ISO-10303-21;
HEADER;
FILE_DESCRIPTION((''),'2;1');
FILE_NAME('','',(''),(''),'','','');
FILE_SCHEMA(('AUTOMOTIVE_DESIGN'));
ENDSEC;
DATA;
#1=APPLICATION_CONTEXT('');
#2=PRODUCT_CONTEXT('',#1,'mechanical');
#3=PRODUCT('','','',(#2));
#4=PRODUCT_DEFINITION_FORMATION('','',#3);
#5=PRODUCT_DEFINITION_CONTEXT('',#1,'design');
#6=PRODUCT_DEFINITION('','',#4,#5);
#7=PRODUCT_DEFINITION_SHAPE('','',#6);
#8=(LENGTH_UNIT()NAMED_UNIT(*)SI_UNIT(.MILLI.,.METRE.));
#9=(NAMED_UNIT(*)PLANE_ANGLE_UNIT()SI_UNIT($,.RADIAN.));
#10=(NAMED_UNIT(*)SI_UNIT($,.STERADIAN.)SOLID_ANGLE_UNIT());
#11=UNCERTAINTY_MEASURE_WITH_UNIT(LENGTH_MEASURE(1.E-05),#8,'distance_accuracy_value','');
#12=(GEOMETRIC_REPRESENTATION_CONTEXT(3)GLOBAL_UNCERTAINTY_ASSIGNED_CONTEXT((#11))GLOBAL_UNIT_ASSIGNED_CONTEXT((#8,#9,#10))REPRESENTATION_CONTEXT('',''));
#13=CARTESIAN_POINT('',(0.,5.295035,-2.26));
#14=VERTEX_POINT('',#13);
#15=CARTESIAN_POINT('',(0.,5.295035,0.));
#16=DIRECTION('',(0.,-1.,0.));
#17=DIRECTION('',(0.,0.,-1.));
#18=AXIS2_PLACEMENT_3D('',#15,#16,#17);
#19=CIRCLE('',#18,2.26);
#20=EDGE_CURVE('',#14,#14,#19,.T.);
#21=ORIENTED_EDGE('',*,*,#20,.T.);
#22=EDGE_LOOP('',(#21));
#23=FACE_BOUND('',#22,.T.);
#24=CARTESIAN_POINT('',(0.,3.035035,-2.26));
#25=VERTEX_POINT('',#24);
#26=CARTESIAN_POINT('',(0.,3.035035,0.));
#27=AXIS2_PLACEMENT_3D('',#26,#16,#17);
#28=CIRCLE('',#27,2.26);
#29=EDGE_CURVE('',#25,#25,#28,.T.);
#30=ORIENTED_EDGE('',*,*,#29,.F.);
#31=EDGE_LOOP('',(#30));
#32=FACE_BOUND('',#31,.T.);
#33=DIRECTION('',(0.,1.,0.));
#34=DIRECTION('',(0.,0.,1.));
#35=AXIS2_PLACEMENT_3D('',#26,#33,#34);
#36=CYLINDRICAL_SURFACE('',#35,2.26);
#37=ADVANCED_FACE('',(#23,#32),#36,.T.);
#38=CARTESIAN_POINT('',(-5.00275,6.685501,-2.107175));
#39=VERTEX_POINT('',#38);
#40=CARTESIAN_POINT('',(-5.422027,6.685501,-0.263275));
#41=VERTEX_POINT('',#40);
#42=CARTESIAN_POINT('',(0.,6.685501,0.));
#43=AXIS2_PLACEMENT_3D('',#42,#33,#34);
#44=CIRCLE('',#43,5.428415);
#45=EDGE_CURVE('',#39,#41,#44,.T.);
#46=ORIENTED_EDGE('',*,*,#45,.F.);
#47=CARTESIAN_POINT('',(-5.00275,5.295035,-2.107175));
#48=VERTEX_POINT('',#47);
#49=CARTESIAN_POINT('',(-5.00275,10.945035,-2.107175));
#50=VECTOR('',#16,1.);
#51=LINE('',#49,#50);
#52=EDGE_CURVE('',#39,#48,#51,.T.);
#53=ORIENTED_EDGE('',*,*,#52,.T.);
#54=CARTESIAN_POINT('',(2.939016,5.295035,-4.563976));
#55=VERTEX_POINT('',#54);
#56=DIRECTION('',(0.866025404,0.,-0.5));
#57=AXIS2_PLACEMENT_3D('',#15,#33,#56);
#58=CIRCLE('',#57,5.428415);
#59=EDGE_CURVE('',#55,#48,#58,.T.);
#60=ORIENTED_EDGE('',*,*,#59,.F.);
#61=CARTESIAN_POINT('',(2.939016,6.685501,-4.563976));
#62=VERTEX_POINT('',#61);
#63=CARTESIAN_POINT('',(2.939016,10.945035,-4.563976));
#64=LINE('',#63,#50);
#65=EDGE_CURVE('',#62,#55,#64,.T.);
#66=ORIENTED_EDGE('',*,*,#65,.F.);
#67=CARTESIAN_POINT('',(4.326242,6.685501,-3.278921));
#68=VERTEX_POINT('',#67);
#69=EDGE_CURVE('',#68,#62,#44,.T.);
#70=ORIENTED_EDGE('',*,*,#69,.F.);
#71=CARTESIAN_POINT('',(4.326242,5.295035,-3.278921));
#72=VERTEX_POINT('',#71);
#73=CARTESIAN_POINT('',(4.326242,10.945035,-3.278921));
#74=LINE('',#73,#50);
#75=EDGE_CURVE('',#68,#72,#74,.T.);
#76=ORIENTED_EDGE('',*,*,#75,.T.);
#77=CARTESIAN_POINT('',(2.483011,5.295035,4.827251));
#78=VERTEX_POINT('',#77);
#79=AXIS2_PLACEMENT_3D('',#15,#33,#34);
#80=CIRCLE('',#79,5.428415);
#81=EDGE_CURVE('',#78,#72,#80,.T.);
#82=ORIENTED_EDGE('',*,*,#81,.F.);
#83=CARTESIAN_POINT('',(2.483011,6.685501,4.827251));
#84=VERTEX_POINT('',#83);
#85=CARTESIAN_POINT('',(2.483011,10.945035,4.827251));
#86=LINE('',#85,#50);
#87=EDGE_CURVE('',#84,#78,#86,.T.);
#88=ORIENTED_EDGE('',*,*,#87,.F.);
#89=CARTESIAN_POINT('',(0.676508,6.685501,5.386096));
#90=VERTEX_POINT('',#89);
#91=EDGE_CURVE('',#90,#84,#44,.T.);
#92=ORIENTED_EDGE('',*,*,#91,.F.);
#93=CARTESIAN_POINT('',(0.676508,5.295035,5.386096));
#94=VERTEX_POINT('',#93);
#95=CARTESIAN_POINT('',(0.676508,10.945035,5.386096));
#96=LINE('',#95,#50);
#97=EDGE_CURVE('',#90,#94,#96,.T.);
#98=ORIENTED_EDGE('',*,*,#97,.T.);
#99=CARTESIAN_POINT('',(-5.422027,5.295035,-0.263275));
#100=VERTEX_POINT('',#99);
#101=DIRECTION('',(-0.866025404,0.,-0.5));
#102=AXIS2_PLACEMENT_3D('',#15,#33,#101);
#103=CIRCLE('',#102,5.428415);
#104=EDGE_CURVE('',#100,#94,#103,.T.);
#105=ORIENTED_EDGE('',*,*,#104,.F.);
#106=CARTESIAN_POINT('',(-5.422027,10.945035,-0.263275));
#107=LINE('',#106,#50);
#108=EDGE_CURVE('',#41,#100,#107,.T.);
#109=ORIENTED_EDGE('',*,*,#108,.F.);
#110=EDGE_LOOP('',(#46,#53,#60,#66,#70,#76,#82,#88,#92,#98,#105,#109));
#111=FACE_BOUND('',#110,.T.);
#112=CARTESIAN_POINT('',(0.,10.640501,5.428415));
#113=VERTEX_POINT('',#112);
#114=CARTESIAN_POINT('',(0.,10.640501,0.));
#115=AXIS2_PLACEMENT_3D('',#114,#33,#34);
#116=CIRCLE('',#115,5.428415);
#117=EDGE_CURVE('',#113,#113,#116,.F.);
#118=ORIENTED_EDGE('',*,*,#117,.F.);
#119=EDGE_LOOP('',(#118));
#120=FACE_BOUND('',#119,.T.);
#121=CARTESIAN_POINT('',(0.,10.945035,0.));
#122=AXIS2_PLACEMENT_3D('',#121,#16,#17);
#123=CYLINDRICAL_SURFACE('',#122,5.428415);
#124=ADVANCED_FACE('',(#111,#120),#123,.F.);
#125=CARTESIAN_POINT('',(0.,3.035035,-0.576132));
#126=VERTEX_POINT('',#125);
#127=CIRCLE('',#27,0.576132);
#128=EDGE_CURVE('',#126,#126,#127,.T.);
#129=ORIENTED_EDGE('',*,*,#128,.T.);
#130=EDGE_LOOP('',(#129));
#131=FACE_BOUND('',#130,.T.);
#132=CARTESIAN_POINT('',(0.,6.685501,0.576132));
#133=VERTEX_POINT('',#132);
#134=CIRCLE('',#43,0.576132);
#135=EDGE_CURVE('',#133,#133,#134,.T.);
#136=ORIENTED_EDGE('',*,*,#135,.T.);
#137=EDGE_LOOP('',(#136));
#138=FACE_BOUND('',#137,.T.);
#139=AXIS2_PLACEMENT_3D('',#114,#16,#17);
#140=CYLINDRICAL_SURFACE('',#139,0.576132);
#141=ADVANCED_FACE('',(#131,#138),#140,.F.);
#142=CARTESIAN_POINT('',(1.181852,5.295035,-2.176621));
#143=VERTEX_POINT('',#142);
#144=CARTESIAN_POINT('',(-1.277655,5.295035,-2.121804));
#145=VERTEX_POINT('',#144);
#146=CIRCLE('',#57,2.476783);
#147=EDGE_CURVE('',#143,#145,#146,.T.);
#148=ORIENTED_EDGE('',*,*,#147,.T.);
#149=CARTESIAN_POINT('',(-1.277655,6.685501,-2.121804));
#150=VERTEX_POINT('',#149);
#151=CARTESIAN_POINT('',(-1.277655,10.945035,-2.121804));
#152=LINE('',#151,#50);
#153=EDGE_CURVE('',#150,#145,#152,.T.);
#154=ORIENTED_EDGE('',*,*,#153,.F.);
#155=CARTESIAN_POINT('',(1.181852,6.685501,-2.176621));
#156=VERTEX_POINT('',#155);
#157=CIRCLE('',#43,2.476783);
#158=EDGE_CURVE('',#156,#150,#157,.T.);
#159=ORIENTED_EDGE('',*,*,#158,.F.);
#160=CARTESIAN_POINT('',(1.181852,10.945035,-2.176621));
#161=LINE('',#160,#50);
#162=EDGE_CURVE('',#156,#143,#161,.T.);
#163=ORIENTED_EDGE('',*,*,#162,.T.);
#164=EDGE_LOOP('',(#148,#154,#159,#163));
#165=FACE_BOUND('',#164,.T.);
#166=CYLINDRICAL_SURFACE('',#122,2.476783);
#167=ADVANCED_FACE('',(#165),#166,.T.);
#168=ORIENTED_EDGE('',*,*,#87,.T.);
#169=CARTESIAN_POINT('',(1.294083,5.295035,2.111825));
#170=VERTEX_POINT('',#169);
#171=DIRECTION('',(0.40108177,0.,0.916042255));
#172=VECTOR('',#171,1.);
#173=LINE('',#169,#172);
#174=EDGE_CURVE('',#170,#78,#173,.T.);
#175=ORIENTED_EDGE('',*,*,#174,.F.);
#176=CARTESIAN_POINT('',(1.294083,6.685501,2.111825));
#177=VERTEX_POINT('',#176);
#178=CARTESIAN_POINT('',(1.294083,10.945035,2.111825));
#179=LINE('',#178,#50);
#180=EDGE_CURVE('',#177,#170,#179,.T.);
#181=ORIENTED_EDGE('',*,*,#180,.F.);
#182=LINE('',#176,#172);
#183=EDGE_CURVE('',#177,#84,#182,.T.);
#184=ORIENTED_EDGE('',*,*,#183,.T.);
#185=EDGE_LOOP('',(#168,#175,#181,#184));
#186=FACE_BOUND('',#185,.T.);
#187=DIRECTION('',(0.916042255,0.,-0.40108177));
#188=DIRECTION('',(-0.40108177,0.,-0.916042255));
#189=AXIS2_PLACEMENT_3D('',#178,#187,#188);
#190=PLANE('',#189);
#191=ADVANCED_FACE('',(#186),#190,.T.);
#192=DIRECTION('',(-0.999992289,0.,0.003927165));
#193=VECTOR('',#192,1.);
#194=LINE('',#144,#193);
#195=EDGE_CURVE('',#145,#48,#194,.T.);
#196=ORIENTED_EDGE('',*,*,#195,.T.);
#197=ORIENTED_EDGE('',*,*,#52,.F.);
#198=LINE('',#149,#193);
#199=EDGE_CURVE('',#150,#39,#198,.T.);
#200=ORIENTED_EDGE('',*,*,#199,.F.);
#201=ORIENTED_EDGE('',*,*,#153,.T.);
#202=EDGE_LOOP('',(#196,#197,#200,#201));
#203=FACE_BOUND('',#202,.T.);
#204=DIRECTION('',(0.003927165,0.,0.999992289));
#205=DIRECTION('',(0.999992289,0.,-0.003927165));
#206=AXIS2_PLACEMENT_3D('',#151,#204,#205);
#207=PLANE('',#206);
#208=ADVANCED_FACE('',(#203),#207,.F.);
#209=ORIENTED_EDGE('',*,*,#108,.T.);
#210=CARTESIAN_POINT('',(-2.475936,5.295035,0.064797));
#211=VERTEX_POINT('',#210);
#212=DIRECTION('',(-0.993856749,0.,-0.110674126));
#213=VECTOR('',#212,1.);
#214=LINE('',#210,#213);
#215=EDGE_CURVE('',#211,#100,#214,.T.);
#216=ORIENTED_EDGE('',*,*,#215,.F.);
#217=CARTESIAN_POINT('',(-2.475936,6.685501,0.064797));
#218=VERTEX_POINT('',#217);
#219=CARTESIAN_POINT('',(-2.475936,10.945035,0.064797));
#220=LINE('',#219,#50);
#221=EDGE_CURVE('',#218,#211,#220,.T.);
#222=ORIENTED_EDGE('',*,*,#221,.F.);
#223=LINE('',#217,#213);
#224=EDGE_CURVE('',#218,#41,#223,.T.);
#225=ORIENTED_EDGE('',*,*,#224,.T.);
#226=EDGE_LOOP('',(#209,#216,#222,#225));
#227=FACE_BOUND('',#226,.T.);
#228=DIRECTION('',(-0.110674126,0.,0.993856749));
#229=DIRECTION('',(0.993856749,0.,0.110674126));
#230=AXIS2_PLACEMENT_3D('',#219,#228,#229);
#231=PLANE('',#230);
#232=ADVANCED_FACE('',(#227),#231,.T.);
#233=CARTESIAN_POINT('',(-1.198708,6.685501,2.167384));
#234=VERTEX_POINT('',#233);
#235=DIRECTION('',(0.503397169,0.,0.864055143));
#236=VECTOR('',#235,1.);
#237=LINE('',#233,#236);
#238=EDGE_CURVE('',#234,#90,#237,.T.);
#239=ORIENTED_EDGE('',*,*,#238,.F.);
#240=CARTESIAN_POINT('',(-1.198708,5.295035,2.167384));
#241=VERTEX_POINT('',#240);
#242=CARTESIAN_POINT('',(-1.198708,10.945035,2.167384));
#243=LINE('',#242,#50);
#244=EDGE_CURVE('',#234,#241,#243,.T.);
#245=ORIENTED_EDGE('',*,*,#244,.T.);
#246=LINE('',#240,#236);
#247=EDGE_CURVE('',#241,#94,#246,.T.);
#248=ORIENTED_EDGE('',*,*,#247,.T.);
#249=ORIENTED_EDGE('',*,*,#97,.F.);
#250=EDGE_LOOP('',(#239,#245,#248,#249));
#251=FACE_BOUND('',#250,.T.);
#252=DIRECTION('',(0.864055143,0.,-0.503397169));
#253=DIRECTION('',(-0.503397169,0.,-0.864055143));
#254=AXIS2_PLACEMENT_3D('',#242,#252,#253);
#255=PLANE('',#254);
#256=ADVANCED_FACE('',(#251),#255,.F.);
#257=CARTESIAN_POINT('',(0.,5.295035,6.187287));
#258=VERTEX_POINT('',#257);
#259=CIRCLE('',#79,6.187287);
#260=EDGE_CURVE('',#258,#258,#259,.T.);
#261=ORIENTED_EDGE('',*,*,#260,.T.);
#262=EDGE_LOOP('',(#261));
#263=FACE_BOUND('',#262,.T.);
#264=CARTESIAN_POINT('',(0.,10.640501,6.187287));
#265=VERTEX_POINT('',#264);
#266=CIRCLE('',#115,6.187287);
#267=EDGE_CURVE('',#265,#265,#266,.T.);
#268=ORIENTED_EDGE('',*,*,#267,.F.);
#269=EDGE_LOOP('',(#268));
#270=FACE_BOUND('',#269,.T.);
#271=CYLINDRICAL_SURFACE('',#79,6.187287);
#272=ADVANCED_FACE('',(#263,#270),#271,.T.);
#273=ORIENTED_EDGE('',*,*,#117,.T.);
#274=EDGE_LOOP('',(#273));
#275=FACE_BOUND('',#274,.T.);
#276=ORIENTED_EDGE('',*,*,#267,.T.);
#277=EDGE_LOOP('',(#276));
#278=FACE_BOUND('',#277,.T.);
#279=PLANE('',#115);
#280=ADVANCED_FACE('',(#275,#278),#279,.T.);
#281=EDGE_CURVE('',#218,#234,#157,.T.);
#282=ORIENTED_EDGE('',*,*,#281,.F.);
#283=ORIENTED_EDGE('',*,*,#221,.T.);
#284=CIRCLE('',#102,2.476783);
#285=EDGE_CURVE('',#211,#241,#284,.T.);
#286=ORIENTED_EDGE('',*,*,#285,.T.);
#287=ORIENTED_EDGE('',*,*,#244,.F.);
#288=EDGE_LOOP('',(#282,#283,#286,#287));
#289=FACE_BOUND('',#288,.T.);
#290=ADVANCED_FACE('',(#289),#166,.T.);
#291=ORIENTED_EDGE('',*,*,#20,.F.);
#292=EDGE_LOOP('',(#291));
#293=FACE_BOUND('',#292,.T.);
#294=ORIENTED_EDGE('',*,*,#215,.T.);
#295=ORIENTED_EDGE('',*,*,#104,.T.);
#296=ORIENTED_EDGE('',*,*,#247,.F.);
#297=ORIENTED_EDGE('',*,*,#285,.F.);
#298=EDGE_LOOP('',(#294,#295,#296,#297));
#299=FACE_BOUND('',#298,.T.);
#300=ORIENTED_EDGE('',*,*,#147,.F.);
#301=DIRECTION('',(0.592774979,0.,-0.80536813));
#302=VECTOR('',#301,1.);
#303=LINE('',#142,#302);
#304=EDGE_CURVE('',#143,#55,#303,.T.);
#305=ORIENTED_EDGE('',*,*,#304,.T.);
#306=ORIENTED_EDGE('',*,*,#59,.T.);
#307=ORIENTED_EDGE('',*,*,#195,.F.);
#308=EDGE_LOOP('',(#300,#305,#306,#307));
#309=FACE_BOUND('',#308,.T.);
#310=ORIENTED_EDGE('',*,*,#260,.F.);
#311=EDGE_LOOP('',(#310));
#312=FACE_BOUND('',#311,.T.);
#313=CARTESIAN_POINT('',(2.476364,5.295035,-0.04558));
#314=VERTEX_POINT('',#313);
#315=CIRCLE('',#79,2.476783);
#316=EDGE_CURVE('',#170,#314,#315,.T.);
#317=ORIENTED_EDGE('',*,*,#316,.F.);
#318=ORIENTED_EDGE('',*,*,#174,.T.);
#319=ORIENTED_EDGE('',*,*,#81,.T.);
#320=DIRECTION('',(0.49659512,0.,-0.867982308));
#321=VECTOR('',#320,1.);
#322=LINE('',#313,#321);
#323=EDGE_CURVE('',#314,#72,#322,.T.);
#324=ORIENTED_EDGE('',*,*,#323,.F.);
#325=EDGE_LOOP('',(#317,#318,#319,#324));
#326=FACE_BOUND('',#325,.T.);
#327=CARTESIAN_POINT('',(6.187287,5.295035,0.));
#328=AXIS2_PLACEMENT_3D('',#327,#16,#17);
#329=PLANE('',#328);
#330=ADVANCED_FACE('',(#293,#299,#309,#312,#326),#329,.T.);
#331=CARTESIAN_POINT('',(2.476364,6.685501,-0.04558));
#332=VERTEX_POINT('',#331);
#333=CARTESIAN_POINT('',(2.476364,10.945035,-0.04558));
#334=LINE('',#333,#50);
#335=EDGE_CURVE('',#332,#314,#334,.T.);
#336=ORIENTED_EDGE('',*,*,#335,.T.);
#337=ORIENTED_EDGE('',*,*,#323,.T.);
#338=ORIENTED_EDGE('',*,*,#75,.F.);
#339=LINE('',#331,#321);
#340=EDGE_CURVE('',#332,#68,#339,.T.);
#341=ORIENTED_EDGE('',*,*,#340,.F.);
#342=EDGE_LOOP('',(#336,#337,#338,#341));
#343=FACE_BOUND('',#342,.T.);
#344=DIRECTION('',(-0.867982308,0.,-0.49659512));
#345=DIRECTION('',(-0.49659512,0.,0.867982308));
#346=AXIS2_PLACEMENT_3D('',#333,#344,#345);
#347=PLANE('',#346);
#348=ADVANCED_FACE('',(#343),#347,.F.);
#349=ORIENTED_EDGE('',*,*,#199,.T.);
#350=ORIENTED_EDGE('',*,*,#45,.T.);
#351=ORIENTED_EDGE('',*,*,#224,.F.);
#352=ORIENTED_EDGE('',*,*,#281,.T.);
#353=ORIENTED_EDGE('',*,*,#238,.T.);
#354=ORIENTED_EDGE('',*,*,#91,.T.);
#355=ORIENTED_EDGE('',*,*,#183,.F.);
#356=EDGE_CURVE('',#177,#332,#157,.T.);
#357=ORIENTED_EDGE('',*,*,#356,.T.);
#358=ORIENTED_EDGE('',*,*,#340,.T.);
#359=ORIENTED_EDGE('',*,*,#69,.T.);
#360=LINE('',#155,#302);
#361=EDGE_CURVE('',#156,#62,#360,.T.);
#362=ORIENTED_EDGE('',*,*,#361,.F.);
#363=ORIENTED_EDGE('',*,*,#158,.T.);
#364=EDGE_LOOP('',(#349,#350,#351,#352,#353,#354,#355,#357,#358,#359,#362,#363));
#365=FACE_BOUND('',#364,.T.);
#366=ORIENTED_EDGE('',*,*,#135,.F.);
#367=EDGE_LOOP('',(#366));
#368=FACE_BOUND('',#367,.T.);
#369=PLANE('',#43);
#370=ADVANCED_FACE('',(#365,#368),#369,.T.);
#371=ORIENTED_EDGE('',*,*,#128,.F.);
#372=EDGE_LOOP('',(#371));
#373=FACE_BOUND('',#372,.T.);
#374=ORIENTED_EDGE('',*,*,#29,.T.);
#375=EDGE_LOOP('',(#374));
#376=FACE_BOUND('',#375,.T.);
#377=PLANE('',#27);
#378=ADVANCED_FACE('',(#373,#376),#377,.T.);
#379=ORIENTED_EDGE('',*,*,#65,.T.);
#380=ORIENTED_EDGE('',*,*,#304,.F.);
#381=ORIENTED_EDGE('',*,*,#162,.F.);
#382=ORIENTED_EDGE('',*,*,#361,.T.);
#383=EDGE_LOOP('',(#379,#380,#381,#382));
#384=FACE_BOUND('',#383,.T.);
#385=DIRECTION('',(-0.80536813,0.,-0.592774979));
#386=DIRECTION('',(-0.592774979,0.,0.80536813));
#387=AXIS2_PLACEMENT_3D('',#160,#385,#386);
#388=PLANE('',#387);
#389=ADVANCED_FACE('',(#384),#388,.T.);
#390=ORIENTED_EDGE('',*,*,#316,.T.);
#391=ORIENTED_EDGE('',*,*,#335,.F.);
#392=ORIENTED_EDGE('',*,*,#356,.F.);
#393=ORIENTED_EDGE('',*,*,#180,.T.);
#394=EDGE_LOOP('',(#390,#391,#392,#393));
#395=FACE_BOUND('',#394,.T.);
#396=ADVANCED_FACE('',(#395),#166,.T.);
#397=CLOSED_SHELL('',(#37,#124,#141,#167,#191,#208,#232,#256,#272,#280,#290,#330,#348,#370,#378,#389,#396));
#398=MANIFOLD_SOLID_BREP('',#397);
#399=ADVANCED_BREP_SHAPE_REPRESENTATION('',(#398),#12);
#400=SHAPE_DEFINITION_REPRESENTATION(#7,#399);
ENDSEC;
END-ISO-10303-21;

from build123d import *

# Parameters (mm, degrees)
CROQUIS1_W              = 10.950949918
CROQUIS1_H              = 9.461001059
CROQUIS2_R              = 4
SALIENTE_EXTRUIR1_DEPTH = 4
CORTAR_EXTRUIR1_DEPTH   = 10
MATRIZC1_COUNT          = 3
CORTAR_EXTRUIR2_START   = -7
CROQUIS8_R              = 9.607815028
CORTAR_EXTRUIR2_DEPTH   = 7
CROQUIS9_R              = 1.019703071
CORTAR_EXTRUIR3_DEPTH   = 21.519384926
ESCALA1_SCALE           = 0.565


with BuildPart() as part:
    # Croquis1 → Revolución1 (revolve)
    with BuildSketch(Plane(origin=(0, 0, 0), x_dir=(-1, 0, 0), z_dir=(0, 0, -1)), mode=Mode.PRIVATE) as revoluci_n1_sk:
        with Locations((-5.475474959, 8.73050053)):
            Rectangle(CROQUIS1_W, CROQUIS1_H)
    revolve(revoluci_n1_sk.sketch.rotate(Axis((0, 4, 0), (0, 1, 0)), 270), axis=Axis((0, 4, 0), (0, 1, 0)))

    # Croquis2 → Saliente-Extruir1 (add)
    with BuildSketch(Plane.XZ.offset(-4)):
        with Locations(Location((0, 0, 0), (0, 0, 270))):
            Circle(CROQUIS2_R)
    extrude(amount=SALIENTE_EXTRUIR1_DEPTH)

    # Croquis7 → Cortar-Extruir1 (cut)
    with BuildSketch(Plane.XZ.offset(-4)):
        with BuildLine():
            Line((2.290412928, 3.737743004), (4.394709568, 8.543806963))
            ThreePointArc((4.394709568, 8.543806963), (9.368666462, 2.13030475), (7.657065469, -5.803400555))
            Line((7.657065469, -5.803400555), (4.382944907, -0.080672706))
            ThreePointArc((4.382944907, -0.080672706), (3.844281576, 2.106706746), (2.290412928, 3.737743004))
        make_face()
    cortar_extruir1 = extrude(amount=-CORTAR_EXTRUIR1_DEPTH, mode=Mode.SUBTRACT)

    # MatrizC1: Cortar-Extruir1 ×3 about axis
    matrizc1_axis = Axis((0, 0, 0), (0, 1, 0))
    for i in range(1, MATRIZC1_COUNT):
        add(cortar_extruir1.rotate(matrizc1_axis, i * 360 / MATRIZC1_COUNT), mode=Mode.SUBTRACT)

    # Croquis8 → Cortar-Extruir2 (cut)
    with BuildSketch(Plane(origin=(0, 13.461001059, 0), x_dir=(1, 0, 0), z_dir=(0, 1, 0)).offset(CORTAR_EXTRUIR2_START)):
        with Locations(Location((0, 0, 0), (0, 0, 57.220098004))):
            Circle(CROQUIS8_R)
    extrude(amount=CORTAR_EXTRUIR2_DEPTH, mode=Mode.SUBTRACT)

    # Croquis9 → Cortar-Extruir3 (cut, through all)
    with BuildSketch(Plane.XZ):
        with Locations(Location((0, 0, 0), (0, 0, 270))):
            Circle(CROQUIS9_R)
    extrude(amount=-CORTAR_EXTRUIR3_DEPTH, mode=Mode.SUBTRACT)


with BuildPart() as part_1:
    # Escala1: scaled about (0, 6.977093027, 0)
    add(part.part.scale(ESCALA1_SCALE).moved(Location((0, 3.035035467, 0))))


solid = part_1.part
